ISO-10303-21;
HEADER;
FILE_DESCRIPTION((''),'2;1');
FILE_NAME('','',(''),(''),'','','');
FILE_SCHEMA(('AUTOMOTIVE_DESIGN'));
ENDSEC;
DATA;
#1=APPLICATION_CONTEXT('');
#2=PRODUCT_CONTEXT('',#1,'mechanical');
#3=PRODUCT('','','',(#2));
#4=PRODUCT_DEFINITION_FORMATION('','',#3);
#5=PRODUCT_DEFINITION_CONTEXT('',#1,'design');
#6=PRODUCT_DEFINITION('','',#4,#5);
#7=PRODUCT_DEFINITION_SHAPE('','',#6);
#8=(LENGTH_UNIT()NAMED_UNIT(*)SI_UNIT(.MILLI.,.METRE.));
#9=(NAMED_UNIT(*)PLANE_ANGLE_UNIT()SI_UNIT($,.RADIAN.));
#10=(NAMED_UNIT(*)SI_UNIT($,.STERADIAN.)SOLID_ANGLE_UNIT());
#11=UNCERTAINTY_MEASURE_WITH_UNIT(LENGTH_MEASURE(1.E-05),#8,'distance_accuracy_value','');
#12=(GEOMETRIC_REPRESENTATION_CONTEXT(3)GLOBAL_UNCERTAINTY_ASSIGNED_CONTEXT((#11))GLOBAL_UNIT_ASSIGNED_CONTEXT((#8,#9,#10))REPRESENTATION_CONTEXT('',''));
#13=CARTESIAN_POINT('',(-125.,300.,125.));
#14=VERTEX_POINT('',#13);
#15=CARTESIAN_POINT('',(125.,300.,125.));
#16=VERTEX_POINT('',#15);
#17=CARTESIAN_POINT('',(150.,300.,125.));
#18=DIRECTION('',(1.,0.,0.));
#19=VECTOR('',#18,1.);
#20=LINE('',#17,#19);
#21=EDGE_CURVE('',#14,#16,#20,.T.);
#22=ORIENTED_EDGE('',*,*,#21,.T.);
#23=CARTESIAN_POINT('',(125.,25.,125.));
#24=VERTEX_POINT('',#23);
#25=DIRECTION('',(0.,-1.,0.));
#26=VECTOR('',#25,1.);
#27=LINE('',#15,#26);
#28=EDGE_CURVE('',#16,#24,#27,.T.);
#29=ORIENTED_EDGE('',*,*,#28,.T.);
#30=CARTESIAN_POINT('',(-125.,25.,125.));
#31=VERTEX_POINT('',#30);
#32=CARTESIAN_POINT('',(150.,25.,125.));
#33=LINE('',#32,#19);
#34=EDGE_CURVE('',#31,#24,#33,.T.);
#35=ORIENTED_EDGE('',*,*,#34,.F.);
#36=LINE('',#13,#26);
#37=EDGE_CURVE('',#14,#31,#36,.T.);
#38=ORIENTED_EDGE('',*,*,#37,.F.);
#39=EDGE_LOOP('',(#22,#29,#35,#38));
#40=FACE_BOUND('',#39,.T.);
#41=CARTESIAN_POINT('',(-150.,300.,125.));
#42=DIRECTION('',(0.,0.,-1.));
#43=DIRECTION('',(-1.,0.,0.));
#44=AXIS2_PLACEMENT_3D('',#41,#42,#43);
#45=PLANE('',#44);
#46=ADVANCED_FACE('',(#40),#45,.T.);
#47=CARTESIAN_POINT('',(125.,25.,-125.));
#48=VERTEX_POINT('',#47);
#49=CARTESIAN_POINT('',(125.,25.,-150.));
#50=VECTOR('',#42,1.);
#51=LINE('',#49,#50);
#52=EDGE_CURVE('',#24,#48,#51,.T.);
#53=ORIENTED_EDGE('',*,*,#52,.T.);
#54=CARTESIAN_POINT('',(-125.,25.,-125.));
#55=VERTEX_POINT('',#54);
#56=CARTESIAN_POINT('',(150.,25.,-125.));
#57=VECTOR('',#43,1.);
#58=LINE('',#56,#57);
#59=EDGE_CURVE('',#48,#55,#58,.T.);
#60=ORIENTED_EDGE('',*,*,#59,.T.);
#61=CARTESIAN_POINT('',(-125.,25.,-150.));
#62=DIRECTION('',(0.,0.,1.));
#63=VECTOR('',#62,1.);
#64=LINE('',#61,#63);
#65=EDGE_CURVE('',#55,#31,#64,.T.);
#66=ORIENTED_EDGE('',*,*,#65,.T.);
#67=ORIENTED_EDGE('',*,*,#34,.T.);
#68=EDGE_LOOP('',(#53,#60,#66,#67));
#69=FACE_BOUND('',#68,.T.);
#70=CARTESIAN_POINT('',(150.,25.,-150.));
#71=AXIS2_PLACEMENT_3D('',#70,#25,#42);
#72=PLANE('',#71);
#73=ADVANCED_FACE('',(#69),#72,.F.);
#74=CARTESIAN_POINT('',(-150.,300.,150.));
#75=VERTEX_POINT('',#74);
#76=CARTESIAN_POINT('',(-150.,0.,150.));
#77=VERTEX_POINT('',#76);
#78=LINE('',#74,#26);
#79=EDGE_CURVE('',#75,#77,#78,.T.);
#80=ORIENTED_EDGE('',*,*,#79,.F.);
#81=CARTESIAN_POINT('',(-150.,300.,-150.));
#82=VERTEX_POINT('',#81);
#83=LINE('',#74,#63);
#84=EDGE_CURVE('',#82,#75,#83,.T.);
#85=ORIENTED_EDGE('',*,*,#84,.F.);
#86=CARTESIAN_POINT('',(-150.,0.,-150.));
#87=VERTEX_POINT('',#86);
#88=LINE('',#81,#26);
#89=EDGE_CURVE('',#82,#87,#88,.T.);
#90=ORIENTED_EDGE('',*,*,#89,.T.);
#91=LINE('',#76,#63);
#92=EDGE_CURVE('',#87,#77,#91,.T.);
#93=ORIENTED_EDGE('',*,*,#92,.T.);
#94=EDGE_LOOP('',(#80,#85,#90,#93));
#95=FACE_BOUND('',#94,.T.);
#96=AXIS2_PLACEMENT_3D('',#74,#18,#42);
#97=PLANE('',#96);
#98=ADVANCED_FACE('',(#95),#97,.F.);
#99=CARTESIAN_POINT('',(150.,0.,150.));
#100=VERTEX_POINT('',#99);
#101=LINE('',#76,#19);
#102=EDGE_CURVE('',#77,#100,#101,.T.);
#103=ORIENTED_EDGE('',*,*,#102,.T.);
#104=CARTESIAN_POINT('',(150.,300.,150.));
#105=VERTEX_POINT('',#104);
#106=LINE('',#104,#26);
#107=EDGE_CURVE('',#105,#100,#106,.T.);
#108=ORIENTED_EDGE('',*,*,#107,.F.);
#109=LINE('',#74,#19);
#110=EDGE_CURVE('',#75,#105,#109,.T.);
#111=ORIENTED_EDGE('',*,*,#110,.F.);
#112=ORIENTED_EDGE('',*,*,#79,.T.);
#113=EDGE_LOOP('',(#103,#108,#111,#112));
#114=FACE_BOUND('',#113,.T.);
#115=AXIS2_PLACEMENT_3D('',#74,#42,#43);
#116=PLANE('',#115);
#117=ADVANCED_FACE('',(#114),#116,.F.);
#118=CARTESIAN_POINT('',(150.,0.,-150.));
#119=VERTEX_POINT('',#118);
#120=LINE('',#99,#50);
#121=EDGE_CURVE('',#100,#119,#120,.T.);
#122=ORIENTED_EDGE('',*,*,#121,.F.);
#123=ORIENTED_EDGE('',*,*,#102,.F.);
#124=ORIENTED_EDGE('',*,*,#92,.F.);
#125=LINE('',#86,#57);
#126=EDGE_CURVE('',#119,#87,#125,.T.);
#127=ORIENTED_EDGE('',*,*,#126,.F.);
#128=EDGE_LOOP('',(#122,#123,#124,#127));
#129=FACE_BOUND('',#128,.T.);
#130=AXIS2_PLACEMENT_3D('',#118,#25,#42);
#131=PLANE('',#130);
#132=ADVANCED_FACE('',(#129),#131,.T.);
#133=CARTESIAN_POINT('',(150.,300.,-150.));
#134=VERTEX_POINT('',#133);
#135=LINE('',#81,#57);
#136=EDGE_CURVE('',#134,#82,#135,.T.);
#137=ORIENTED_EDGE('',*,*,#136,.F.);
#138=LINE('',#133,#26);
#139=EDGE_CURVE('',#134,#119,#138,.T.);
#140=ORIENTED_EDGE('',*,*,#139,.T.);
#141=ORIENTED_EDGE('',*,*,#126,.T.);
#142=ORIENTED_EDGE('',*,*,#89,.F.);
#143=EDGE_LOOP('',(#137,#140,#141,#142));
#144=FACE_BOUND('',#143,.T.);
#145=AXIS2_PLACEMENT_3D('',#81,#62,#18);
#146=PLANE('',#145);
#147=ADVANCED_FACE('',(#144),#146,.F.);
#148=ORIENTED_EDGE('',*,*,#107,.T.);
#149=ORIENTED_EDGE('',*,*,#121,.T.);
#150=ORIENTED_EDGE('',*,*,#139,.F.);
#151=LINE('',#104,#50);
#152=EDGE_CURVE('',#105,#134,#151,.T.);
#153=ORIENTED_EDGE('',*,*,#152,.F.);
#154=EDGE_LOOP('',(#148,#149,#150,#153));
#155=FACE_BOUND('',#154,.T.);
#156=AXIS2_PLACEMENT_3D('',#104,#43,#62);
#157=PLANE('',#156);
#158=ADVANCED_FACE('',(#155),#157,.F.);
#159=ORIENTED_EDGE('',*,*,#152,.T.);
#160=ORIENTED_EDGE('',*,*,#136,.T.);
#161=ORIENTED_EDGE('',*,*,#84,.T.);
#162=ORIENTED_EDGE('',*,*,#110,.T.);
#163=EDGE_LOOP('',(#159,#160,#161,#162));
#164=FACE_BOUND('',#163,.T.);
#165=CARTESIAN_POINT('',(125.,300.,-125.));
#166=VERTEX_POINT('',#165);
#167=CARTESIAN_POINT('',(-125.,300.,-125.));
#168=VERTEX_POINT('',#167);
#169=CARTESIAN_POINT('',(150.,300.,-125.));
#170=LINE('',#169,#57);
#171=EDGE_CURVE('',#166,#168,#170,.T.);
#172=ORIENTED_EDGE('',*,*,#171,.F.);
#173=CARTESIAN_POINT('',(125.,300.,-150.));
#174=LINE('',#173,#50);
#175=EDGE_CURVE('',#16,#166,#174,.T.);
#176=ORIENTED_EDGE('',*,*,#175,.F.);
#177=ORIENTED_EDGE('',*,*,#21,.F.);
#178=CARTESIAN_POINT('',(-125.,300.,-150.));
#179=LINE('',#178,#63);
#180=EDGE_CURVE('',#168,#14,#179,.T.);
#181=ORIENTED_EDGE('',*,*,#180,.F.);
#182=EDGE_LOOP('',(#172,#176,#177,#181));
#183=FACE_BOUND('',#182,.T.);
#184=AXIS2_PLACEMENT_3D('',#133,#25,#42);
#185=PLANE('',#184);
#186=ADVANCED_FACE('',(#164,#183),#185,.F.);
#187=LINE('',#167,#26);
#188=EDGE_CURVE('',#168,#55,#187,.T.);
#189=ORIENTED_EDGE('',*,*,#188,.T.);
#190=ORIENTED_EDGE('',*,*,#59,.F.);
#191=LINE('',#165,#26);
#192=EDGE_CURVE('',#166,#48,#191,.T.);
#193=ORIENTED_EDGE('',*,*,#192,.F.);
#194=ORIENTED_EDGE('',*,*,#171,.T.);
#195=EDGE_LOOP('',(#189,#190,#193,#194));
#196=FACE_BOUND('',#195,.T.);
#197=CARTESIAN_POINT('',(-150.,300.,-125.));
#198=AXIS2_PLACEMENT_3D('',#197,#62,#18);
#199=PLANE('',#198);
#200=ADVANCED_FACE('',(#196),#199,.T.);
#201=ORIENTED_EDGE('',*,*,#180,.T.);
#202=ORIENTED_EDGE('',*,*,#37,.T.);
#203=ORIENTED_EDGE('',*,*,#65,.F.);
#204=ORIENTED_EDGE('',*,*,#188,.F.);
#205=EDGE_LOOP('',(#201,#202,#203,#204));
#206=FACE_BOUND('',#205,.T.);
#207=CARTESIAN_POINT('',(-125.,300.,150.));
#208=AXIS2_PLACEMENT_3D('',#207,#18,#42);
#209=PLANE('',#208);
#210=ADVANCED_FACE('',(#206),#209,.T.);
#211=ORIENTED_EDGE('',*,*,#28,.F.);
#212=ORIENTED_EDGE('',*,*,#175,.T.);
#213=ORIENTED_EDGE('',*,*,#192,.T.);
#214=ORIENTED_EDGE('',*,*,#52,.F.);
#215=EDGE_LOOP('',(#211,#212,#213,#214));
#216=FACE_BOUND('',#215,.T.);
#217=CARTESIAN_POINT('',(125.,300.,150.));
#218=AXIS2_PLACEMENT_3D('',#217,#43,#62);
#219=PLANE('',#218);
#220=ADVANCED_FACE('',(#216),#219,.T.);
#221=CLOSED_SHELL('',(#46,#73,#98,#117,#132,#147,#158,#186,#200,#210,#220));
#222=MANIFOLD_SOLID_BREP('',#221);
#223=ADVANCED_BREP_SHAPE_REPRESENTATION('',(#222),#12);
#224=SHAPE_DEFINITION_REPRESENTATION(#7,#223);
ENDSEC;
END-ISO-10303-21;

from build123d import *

# Parameters (mm, degrees)
SKETCH1_W      = 300
SKETCH1_H      = 300
EXTRUDE1_DEPTH = 300
SHELL1_T       = -25


with BuildPart() as part:
    # Sketch1 → Extrude1 (new body)
    with BuildSketch(Plane(origin=(0, 0, 0), x_dir=(1, 0, 0), z_dir=(0, 1, 0))):
        Rectangle(SKETCH1_W, SKETCH1_H)
    extrude(amount=EXTRUDE1_DEPTH)

    # Shell1
    shell1_openings = [part.faces().sort_by_distance(p)[0] for p in [
        (0, 300, 0),
    ]]
    offset(amount=SHELL1_T, openings=shell1_openings, kind=Kind.INTERSECTION)


solid = part.part
